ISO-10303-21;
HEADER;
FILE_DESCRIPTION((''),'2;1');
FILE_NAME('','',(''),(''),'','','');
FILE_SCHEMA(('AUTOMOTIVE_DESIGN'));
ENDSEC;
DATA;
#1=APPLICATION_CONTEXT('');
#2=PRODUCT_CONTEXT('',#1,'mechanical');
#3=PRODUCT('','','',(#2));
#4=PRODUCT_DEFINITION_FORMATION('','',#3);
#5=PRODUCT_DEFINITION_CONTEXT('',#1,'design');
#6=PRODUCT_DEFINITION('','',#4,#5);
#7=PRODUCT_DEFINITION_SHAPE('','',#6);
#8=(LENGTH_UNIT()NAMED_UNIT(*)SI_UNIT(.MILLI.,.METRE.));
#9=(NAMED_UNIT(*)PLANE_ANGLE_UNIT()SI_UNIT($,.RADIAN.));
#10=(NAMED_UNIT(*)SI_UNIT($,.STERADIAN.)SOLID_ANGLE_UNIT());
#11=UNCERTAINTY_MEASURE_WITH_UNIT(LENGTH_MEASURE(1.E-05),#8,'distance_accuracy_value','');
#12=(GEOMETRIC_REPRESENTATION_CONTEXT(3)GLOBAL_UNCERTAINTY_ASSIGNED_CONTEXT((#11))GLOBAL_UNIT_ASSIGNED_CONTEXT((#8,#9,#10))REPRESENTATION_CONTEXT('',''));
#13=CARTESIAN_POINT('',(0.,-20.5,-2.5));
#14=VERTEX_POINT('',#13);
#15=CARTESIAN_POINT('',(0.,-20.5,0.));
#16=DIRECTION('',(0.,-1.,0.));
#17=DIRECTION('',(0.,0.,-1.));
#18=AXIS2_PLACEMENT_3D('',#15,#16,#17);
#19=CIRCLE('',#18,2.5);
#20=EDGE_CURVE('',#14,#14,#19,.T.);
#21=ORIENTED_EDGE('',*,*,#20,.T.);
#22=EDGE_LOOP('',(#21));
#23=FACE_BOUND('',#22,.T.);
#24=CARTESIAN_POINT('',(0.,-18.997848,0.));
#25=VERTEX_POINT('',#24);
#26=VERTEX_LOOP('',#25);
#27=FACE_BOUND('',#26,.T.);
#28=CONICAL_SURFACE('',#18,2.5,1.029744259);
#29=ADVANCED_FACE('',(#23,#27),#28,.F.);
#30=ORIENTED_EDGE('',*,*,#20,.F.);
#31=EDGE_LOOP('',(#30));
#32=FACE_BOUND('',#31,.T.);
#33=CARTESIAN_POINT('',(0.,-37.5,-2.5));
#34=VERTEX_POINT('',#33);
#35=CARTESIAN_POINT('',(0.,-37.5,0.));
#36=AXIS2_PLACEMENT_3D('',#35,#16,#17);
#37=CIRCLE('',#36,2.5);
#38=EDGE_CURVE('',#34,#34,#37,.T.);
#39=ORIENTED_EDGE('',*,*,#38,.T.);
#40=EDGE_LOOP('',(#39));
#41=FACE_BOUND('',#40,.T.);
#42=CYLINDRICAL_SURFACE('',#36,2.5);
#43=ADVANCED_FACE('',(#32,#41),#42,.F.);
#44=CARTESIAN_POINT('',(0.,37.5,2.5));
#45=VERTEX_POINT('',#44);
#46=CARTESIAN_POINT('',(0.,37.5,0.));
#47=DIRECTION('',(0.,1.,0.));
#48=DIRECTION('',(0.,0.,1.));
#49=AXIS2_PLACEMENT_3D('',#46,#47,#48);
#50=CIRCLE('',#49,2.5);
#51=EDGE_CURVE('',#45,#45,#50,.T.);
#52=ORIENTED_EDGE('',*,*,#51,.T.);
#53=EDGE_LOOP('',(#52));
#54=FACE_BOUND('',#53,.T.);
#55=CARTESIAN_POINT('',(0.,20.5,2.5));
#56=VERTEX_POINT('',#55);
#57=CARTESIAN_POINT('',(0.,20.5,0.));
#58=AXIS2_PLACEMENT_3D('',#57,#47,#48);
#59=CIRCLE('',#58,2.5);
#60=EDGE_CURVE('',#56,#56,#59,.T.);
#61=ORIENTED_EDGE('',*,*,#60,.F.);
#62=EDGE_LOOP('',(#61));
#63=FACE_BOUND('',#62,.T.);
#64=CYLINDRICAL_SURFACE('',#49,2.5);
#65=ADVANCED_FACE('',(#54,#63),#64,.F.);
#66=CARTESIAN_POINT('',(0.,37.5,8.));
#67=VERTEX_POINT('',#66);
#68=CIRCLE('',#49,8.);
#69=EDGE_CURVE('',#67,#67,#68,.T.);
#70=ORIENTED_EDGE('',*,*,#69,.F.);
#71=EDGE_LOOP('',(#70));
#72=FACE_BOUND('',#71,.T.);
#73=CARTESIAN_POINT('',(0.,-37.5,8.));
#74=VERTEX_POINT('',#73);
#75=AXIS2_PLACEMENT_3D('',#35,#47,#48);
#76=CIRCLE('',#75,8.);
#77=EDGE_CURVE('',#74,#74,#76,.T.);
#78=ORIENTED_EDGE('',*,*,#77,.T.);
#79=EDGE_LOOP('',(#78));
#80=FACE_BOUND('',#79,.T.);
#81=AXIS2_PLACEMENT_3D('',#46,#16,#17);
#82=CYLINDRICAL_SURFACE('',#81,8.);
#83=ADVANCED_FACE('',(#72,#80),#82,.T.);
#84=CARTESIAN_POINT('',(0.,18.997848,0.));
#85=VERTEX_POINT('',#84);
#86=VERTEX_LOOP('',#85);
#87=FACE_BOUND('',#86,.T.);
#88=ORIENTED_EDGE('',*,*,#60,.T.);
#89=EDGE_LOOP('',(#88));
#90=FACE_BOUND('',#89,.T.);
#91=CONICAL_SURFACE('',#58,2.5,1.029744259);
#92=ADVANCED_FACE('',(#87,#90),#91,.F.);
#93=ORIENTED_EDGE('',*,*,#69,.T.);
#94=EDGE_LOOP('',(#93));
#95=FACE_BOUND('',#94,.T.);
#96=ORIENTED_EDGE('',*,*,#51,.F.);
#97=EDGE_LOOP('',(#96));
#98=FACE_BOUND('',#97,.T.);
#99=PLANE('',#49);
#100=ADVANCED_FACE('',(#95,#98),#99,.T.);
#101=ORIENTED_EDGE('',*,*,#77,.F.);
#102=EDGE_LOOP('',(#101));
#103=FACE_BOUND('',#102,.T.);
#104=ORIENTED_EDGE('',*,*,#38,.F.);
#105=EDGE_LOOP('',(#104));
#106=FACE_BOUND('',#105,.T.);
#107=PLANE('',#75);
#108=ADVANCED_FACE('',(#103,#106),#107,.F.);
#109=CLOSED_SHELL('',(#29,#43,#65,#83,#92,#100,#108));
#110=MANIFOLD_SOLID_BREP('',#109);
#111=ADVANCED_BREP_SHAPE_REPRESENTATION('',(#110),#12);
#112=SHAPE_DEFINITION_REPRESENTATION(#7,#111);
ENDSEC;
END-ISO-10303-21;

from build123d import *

# Parameters (mm, degrees)
SKETCH_1_R      = 8
EXTRUDE_1_DEPTH = 37.5


with BuildPart() as part:
    # 草图1 → 凸台-拉伸1 (new, symmetric)
    with BuildSketch(Plane(origin=(0, 0, 0), x_dir=(1, 0, 0), z_dir=(0, 1, 0))):
        with Locations(Location((0, 0, 0), (0, 0, 270))):
            Circle(SKETCH_1_R)
    extrude(amount=EXTRUDE_1_DEPTH, both=True)

    # 草图3 → M6 螺纹孔1 (revolve, cut)
    with BuildSketch(Plane(origin=(0, 37.5, 0), x_dir=(0, 0, 1), z_dir=(1, 0, 0))):
        Polygon((0, 0), (0, 18.502151548), (2.5, 17), (2.5, 0), align=None)
    hole_wizard_m6_1 = revolve(axis=Axis((0, 43.85, 0), (0, -1, 0)), mode=Mode.SUBTRACT)

    # 镜向1: M6 螺纹孔1 across plane
    add(hole_wizard_m6_1.mirror(Plane.ZX), mode=Mode.SUBTRACT)


solid = part.part
